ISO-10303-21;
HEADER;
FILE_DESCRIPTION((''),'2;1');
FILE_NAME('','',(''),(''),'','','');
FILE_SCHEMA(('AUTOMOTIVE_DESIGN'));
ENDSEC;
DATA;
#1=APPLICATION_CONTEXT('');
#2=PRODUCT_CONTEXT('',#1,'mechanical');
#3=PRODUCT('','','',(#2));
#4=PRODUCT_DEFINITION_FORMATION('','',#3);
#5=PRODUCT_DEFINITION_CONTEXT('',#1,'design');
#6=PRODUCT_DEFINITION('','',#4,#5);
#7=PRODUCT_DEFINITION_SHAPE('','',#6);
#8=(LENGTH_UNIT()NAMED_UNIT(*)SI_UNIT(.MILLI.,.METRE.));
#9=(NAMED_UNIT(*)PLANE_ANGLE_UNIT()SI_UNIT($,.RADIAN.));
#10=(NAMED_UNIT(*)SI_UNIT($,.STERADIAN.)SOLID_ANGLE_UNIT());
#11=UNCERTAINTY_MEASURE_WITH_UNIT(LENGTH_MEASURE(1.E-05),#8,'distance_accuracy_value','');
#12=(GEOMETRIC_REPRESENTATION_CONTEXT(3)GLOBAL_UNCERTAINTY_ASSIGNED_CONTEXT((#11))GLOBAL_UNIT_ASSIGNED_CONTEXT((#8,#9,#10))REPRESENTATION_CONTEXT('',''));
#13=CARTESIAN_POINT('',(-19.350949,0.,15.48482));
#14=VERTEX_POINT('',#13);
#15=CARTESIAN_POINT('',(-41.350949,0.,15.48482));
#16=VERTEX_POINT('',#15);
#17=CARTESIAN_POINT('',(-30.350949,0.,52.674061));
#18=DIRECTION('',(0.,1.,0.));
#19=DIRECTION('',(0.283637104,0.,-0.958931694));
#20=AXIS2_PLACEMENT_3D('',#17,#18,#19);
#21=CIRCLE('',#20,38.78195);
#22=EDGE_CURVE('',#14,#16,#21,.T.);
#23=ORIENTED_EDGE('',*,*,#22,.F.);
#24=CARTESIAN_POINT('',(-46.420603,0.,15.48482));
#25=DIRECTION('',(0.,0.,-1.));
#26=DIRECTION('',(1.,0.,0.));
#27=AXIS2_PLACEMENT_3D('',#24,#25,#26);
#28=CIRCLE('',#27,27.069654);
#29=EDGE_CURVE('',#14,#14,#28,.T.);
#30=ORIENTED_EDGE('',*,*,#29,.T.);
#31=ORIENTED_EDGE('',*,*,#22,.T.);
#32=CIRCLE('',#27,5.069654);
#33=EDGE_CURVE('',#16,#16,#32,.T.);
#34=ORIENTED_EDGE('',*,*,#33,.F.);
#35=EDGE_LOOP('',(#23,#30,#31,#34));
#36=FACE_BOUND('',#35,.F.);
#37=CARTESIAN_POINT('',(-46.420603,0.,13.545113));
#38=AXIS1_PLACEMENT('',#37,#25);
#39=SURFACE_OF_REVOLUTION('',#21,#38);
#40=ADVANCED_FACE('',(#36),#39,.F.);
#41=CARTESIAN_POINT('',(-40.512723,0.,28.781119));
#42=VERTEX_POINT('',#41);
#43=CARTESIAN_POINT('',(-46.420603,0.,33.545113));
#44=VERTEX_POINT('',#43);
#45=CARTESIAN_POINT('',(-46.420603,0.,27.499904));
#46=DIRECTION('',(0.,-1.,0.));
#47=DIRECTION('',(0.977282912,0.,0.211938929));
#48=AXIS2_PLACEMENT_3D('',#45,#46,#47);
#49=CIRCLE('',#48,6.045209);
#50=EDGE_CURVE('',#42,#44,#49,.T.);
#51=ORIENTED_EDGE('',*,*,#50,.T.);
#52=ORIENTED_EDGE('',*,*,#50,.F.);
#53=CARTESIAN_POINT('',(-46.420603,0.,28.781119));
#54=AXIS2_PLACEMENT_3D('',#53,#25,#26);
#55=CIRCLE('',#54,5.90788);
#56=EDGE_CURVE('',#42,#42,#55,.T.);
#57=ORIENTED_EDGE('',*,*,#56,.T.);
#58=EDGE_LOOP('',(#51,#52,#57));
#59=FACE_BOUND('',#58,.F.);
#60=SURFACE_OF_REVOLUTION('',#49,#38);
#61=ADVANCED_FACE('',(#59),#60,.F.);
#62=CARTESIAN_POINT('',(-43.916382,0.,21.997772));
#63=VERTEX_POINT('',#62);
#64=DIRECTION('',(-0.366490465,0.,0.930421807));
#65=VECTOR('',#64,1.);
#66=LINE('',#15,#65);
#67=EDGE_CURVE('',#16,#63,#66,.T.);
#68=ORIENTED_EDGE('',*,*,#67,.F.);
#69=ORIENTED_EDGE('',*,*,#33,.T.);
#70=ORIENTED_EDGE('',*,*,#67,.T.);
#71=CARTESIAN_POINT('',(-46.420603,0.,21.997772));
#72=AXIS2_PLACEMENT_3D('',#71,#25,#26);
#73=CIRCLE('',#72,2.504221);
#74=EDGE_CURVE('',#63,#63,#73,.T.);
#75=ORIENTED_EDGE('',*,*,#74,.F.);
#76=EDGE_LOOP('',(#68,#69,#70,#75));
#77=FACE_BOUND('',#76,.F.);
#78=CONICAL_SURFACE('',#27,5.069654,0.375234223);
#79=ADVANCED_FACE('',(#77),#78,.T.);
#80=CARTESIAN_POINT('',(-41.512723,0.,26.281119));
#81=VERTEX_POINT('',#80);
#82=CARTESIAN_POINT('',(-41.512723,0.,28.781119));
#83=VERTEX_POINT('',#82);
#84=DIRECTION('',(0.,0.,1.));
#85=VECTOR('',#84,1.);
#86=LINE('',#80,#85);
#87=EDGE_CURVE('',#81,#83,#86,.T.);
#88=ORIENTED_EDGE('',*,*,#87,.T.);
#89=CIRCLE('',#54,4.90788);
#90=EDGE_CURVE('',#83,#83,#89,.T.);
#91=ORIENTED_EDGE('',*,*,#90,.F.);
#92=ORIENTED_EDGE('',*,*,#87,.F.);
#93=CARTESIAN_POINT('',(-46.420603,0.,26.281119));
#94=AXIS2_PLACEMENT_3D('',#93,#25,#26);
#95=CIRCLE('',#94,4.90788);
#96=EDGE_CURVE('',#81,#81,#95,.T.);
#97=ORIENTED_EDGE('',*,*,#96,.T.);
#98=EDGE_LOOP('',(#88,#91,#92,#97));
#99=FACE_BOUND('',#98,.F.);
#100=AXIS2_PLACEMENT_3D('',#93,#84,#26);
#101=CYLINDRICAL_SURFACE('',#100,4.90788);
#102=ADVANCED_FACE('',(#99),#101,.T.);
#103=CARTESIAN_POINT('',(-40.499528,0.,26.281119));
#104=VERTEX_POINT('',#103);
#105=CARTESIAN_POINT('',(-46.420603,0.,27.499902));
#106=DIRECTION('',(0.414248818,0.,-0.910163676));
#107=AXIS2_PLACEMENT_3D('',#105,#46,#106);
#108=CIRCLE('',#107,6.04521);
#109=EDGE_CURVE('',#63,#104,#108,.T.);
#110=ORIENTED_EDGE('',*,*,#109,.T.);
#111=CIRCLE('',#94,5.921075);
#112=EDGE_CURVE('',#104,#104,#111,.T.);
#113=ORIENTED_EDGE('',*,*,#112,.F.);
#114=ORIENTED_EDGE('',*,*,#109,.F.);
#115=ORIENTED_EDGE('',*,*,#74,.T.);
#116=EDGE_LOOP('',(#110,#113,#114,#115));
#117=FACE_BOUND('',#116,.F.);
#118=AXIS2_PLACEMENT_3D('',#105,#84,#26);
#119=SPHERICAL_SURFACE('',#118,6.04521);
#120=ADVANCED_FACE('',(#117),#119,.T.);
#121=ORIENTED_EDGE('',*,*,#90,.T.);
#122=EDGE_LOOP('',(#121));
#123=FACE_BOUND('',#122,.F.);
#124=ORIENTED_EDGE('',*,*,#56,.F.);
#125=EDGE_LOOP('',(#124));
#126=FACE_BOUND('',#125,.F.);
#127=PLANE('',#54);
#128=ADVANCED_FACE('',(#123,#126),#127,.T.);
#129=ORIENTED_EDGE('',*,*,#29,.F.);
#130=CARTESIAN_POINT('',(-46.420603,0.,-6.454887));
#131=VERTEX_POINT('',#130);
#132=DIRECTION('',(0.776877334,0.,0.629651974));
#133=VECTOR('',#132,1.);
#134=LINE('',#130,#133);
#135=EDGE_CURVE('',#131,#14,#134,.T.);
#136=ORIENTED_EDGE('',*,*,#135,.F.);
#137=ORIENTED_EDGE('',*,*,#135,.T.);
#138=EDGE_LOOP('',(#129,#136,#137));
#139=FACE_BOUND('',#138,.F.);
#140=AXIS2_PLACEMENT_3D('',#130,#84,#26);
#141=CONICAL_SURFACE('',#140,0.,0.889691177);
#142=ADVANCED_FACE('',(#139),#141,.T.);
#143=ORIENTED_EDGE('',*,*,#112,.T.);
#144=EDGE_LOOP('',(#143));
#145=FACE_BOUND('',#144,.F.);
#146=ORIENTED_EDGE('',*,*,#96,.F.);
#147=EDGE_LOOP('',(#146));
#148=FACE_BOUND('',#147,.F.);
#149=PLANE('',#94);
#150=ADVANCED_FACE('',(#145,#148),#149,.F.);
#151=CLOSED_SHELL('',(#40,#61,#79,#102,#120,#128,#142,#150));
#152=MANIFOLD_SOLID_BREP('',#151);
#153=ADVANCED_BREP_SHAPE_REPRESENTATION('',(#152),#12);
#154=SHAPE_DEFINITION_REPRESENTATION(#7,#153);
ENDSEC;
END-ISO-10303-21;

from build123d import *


with BuildPart() as f1:
    # F0 (on Front) → F1 (revolve)
    with BuildSketch(Plane.XZ):
        with BuildLine():
            Line((-41.350949, 15.48482), (-43.916382, 21.997772))
            ThreePointArc((-43.916382, 21.997772), (-41.694805, 23.730102), (-40.499528, 26.281119))
            Line((-40.499528, 26.281119), (-40.512723, 26.281119))
            Line((-40.512723, 26.281119), (-41.512723, 26.281119))
            Line((-41.512723, 26.281119), (-41.512723, 28.781119))
            Line((-41.512723, 28.781119), (-40.512723, 28.781119))
            ThreePointArc((-40.512723, 28.781119), (-42.625913, 32.205739), (-46.420603, 33.545113))
            Line((-46.420603, 33.545113), (-46.420603, -6.454887))
            Line((-46.420603, -6.454887), (-19.350949, 15.48482))
            ThreePointArc((-19.350949, 15.48482), (-30.350949, 13.892111), (-41.350949, 15.48482))
        make_face()
    revolve(axis=Axis((-46.420603, 0, 13.545113), (0, 0, -1)))


solid = f1.part
